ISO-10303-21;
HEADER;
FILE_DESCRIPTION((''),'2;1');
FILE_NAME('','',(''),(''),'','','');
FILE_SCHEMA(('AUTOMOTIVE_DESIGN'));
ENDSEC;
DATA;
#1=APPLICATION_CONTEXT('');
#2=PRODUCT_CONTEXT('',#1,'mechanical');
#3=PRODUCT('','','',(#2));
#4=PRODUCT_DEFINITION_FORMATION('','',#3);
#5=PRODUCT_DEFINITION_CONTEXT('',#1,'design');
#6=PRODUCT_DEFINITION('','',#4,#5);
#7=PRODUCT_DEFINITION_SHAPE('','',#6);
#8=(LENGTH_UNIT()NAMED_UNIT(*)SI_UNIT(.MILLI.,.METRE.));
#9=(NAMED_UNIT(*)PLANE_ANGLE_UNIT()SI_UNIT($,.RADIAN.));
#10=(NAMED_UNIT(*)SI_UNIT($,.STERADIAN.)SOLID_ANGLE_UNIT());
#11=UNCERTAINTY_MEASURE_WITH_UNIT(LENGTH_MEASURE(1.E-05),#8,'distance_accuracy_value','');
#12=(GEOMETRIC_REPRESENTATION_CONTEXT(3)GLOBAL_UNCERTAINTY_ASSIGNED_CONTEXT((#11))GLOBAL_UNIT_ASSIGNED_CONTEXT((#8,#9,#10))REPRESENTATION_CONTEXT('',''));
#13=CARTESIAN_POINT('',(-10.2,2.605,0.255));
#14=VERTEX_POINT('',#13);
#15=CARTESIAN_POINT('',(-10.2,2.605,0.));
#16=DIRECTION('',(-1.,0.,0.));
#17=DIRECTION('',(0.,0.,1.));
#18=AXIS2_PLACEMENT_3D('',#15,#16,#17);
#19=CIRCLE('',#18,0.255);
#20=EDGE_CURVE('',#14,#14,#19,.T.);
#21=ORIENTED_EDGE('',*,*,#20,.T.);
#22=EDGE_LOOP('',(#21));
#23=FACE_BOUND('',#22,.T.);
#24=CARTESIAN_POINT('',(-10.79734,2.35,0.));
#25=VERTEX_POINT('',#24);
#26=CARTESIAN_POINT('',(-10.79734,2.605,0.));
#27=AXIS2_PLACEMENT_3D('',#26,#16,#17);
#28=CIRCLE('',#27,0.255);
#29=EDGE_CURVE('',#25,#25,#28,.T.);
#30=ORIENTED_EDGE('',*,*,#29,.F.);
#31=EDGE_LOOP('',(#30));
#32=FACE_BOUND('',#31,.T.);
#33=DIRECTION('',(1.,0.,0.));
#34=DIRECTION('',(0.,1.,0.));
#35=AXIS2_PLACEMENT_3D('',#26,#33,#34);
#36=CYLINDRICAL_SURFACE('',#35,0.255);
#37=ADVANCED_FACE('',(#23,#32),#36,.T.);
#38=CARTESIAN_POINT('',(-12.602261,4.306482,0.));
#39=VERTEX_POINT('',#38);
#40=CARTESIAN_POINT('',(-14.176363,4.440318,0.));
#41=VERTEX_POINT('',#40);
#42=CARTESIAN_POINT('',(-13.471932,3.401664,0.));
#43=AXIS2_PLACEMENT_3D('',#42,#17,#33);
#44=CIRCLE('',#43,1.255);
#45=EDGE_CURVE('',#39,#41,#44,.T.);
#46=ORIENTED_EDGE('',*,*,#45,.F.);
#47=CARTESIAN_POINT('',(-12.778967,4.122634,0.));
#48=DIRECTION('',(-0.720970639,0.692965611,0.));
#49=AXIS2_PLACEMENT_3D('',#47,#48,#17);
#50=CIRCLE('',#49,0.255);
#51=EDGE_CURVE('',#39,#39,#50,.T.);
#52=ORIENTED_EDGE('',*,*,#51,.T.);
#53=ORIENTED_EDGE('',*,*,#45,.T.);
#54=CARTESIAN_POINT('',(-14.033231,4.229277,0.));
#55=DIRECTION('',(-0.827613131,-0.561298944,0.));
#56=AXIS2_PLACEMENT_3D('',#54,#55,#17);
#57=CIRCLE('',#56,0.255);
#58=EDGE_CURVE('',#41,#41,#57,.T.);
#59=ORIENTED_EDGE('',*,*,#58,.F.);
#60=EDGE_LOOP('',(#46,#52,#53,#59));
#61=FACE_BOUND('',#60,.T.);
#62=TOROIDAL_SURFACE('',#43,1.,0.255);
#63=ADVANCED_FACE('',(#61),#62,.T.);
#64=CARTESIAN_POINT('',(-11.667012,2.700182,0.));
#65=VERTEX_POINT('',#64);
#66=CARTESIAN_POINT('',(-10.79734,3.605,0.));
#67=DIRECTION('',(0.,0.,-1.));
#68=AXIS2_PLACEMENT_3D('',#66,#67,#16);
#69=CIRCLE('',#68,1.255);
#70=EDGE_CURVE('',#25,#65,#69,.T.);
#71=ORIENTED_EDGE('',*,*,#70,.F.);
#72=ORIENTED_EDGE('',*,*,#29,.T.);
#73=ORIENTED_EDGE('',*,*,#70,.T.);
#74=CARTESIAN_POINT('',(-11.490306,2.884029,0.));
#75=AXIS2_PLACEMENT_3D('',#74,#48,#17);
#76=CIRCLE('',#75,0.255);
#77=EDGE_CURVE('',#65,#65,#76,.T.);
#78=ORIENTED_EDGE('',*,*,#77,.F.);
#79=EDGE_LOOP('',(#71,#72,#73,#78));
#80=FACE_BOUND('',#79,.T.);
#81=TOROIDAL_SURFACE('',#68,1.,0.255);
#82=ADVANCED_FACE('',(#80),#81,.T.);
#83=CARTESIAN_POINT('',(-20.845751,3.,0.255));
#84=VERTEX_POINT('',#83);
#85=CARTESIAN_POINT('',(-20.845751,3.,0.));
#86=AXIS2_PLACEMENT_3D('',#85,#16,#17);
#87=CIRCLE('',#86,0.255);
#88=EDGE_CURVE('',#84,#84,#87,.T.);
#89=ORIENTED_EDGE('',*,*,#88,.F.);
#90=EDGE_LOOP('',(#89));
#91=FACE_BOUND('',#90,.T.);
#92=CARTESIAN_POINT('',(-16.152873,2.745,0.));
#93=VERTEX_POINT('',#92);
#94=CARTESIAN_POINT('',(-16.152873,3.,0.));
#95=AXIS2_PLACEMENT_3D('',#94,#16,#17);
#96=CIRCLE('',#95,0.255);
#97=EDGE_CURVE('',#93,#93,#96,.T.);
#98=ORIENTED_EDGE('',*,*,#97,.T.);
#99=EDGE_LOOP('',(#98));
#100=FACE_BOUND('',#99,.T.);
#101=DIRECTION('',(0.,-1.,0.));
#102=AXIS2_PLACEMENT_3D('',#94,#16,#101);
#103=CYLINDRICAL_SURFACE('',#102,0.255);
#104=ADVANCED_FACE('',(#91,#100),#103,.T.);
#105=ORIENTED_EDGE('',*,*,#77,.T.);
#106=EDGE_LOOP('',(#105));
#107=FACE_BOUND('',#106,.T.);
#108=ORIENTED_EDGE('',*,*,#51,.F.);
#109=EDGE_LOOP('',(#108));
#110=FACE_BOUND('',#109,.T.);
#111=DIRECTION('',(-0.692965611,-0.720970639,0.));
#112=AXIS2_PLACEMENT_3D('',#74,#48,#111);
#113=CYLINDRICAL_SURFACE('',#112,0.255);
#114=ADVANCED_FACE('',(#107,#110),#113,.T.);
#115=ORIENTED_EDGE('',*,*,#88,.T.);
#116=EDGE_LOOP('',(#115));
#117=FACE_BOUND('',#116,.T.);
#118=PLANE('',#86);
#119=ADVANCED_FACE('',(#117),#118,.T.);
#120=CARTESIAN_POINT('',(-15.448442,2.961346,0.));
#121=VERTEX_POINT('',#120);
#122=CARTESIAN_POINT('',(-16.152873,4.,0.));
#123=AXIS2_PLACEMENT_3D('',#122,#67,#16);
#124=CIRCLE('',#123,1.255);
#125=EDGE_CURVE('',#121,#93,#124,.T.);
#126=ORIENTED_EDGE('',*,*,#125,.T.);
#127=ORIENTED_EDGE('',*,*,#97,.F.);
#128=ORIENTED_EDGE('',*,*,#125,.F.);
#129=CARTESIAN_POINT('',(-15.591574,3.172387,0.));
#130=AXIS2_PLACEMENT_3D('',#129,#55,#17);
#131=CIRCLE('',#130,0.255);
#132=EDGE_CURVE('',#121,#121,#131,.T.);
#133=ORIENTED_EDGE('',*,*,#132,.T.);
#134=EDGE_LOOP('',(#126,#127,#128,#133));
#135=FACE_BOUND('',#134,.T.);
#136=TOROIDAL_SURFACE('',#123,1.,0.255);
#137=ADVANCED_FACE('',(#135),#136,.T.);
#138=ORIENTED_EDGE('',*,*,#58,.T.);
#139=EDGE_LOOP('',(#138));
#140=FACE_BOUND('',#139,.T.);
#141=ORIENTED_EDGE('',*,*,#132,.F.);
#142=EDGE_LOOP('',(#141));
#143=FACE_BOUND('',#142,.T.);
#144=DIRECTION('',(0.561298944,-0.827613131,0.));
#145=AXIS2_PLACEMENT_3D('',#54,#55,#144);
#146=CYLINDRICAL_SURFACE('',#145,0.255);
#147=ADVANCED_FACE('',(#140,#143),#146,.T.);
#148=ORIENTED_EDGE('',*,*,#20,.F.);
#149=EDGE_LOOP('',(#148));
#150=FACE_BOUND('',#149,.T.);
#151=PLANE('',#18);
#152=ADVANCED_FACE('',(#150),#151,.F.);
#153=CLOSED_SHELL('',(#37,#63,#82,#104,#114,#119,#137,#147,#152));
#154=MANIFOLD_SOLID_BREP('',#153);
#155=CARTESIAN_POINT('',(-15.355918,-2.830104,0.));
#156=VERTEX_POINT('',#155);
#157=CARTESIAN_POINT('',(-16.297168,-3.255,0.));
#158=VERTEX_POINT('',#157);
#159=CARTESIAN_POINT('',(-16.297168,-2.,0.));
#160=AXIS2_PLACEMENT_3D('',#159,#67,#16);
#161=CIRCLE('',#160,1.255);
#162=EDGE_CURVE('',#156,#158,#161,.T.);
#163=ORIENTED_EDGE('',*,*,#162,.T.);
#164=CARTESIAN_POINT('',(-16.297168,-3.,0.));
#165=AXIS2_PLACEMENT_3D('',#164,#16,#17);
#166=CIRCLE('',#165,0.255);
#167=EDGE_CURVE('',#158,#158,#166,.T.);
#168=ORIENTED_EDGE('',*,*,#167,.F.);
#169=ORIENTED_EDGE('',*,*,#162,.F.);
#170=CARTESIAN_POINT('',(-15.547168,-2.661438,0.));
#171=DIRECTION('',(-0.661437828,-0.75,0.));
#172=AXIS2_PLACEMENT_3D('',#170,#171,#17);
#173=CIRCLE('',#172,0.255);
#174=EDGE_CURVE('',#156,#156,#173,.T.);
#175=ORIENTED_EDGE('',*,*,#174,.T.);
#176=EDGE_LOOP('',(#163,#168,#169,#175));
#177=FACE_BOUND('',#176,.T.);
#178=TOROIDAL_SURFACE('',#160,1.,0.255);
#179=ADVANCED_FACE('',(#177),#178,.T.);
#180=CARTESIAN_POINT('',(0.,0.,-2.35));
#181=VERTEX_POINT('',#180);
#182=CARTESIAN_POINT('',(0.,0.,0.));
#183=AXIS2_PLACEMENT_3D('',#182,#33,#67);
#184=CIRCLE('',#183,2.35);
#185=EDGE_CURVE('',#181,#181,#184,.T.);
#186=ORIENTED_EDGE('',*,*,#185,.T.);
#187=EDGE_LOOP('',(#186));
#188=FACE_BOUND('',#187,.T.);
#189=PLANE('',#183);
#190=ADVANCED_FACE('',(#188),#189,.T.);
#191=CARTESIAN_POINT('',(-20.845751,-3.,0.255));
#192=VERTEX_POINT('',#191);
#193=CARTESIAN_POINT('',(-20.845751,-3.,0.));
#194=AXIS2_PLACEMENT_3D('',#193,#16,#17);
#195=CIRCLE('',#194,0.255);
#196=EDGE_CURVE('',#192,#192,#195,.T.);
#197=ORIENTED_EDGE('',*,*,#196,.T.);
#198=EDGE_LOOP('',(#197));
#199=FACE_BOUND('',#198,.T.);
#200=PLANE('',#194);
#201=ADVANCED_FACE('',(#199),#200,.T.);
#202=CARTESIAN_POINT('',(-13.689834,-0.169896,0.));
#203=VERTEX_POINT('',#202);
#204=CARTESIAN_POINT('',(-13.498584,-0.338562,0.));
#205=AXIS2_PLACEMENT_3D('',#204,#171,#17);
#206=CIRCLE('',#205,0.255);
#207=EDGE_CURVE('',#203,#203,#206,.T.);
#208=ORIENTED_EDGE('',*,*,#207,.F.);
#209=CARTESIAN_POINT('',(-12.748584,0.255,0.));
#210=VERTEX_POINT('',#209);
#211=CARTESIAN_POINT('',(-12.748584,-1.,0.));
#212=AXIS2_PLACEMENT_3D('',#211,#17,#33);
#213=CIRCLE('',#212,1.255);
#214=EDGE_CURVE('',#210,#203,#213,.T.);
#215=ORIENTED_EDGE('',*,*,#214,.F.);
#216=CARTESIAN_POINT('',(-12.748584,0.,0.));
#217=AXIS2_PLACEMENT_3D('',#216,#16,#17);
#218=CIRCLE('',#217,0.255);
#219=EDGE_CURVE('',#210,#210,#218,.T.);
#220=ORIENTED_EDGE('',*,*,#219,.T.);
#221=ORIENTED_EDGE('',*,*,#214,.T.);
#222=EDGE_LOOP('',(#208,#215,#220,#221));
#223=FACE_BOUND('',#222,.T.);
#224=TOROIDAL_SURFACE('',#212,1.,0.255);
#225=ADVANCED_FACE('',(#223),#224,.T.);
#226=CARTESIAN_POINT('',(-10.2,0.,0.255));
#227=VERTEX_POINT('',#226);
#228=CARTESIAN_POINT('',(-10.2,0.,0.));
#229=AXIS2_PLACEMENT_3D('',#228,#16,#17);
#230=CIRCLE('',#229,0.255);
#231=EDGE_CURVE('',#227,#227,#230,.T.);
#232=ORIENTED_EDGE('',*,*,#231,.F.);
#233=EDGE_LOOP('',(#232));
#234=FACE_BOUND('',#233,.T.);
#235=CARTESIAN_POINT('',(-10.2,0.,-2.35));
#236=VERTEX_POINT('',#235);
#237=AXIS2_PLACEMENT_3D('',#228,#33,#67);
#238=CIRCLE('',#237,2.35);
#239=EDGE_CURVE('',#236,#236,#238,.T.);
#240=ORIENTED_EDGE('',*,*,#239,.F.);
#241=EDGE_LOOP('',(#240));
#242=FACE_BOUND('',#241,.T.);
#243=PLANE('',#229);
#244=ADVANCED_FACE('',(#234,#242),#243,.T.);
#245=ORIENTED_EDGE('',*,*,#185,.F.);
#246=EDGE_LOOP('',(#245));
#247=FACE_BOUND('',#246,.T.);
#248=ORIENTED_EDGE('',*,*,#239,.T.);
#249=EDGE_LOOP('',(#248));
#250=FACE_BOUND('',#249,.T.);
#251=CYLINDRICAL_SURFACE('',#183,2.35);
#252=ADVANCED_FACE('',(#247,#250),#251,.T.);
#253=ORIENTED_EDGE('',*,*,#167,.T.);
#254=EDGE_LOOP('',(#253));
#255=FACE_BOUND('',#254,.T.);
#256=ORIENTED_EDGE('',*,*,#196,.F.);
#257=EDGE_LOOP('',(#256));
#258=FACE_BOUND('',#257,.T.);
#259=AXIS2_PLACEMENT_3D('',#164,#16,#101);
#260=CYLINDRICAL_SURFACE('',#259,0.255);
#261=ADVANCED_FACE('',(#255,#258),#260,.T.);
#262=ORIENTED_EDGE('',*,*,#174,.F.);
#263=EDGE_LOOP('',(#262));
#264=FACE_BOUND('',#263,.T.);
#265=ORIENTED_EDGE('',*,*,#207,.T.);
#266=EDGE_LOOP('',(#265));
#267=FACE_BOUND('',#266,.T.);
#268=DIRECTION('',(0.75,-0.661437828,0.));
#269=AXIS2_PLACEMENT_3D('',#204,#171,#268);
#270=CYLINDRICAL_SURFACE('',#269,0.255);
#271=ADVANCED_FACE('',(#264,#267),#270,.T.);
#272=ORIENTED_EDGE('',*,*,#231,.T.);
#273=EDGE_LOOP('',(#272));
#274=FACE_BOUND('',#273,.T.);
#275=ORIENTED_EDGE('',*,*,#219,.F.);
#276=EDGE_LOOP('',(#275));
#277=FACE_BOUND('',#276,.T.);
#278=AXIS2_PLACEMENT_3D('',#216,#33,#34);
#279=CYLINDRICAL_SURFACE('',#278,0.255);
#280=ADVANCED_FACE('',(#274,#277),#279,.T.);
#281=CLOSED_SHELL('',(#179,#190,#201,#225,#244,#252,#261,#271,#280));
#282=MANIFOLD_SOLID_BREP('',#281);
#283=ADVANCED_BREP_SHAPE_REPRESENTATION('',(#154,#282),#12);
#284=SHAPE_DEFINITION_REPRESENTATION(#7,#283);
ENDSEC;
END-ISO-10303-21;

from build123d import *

# Parameters (mm, degrees)
SKETCH1_W = 10.2
SKETCH1_H = 2.35
SKETCH5_R = 0.255
SKETCH7_R = 0.255


with BuildPart() as part:
    # Sketch1 → Revolve1 (revolve)
    with BuildSketch(Plane.XY):
        with Locations((-5.1, 1.175)):
            Rectangle(SKETCH1_W, SKETCH1_H)
    revolve(axis=Axis((0, 0, 0), (-1, 0, 0)))

    # Sweep1: sweep along a path in Sketch4
    with BuildLine(Plane.XY) as sweep1_path:
        Line((-10.2, 0), (-12.74858377, 0))
        ThreePointArc((-12.74858377, 0), (-13.160021598, -0.088562172), (-13.49858377, -0.338562172))
        Line((-13.49858377, -0.338562172), (-15.547167541, -2.661437828))
        ThreePointArc((-15.547167541, -2.661437828), (-15.885729713, -2.911437828), (-16.297167541, -3))
        Line((-16.297167541, -3), (-20.845751311, -3))
    # Sketch5 → Sweep1 (sweep)
    with BuildSketch(Plane.ZY.offset(10.2)):
        Circle(SKETCH5_R)
    sweep(path=sweep1_path.line)


with BuildPart() as body_2:
    # Sweep2: sweep along a path in Sketch6
    with BuildLine(Plane.XY) as sweep2_path:
        Line((-20.845751311, 3), (-16.152872624, 3))
        ThreePointArc((-16.152872624, 3), (-15.85928544, 3.044067698), (-15.59157368, 3.172386869))
        Line((-15.59157368, 3.172386869), (-14.033231363, 4.229276693))
        ThreePointArc((-14.033231363, 4.229276693), (-13.387214162, 4.398068507), (-12.778966808, 4.1226342))
        Line((-12.778966808, 4.1226342), (-11.490305859, 2.884029361))
        ThreePointArc((-11.490305859, 2.884029361), (-11.170856888, 2.677376521), (-10.797340248, 2.605))
        Line((-10.797340248, 2.605), (-10.2, 2.605))
    # Sketch7 → Sweep2 (sweep)
    with BuildSketch(Plane.ZY.offset(10.2)):
        with Locations((0, 2.605)):
            Circle(SKETCH7_R)
    sweep(path=sweep2_path.line)


solid = Compound([part.part, body_2.part])
